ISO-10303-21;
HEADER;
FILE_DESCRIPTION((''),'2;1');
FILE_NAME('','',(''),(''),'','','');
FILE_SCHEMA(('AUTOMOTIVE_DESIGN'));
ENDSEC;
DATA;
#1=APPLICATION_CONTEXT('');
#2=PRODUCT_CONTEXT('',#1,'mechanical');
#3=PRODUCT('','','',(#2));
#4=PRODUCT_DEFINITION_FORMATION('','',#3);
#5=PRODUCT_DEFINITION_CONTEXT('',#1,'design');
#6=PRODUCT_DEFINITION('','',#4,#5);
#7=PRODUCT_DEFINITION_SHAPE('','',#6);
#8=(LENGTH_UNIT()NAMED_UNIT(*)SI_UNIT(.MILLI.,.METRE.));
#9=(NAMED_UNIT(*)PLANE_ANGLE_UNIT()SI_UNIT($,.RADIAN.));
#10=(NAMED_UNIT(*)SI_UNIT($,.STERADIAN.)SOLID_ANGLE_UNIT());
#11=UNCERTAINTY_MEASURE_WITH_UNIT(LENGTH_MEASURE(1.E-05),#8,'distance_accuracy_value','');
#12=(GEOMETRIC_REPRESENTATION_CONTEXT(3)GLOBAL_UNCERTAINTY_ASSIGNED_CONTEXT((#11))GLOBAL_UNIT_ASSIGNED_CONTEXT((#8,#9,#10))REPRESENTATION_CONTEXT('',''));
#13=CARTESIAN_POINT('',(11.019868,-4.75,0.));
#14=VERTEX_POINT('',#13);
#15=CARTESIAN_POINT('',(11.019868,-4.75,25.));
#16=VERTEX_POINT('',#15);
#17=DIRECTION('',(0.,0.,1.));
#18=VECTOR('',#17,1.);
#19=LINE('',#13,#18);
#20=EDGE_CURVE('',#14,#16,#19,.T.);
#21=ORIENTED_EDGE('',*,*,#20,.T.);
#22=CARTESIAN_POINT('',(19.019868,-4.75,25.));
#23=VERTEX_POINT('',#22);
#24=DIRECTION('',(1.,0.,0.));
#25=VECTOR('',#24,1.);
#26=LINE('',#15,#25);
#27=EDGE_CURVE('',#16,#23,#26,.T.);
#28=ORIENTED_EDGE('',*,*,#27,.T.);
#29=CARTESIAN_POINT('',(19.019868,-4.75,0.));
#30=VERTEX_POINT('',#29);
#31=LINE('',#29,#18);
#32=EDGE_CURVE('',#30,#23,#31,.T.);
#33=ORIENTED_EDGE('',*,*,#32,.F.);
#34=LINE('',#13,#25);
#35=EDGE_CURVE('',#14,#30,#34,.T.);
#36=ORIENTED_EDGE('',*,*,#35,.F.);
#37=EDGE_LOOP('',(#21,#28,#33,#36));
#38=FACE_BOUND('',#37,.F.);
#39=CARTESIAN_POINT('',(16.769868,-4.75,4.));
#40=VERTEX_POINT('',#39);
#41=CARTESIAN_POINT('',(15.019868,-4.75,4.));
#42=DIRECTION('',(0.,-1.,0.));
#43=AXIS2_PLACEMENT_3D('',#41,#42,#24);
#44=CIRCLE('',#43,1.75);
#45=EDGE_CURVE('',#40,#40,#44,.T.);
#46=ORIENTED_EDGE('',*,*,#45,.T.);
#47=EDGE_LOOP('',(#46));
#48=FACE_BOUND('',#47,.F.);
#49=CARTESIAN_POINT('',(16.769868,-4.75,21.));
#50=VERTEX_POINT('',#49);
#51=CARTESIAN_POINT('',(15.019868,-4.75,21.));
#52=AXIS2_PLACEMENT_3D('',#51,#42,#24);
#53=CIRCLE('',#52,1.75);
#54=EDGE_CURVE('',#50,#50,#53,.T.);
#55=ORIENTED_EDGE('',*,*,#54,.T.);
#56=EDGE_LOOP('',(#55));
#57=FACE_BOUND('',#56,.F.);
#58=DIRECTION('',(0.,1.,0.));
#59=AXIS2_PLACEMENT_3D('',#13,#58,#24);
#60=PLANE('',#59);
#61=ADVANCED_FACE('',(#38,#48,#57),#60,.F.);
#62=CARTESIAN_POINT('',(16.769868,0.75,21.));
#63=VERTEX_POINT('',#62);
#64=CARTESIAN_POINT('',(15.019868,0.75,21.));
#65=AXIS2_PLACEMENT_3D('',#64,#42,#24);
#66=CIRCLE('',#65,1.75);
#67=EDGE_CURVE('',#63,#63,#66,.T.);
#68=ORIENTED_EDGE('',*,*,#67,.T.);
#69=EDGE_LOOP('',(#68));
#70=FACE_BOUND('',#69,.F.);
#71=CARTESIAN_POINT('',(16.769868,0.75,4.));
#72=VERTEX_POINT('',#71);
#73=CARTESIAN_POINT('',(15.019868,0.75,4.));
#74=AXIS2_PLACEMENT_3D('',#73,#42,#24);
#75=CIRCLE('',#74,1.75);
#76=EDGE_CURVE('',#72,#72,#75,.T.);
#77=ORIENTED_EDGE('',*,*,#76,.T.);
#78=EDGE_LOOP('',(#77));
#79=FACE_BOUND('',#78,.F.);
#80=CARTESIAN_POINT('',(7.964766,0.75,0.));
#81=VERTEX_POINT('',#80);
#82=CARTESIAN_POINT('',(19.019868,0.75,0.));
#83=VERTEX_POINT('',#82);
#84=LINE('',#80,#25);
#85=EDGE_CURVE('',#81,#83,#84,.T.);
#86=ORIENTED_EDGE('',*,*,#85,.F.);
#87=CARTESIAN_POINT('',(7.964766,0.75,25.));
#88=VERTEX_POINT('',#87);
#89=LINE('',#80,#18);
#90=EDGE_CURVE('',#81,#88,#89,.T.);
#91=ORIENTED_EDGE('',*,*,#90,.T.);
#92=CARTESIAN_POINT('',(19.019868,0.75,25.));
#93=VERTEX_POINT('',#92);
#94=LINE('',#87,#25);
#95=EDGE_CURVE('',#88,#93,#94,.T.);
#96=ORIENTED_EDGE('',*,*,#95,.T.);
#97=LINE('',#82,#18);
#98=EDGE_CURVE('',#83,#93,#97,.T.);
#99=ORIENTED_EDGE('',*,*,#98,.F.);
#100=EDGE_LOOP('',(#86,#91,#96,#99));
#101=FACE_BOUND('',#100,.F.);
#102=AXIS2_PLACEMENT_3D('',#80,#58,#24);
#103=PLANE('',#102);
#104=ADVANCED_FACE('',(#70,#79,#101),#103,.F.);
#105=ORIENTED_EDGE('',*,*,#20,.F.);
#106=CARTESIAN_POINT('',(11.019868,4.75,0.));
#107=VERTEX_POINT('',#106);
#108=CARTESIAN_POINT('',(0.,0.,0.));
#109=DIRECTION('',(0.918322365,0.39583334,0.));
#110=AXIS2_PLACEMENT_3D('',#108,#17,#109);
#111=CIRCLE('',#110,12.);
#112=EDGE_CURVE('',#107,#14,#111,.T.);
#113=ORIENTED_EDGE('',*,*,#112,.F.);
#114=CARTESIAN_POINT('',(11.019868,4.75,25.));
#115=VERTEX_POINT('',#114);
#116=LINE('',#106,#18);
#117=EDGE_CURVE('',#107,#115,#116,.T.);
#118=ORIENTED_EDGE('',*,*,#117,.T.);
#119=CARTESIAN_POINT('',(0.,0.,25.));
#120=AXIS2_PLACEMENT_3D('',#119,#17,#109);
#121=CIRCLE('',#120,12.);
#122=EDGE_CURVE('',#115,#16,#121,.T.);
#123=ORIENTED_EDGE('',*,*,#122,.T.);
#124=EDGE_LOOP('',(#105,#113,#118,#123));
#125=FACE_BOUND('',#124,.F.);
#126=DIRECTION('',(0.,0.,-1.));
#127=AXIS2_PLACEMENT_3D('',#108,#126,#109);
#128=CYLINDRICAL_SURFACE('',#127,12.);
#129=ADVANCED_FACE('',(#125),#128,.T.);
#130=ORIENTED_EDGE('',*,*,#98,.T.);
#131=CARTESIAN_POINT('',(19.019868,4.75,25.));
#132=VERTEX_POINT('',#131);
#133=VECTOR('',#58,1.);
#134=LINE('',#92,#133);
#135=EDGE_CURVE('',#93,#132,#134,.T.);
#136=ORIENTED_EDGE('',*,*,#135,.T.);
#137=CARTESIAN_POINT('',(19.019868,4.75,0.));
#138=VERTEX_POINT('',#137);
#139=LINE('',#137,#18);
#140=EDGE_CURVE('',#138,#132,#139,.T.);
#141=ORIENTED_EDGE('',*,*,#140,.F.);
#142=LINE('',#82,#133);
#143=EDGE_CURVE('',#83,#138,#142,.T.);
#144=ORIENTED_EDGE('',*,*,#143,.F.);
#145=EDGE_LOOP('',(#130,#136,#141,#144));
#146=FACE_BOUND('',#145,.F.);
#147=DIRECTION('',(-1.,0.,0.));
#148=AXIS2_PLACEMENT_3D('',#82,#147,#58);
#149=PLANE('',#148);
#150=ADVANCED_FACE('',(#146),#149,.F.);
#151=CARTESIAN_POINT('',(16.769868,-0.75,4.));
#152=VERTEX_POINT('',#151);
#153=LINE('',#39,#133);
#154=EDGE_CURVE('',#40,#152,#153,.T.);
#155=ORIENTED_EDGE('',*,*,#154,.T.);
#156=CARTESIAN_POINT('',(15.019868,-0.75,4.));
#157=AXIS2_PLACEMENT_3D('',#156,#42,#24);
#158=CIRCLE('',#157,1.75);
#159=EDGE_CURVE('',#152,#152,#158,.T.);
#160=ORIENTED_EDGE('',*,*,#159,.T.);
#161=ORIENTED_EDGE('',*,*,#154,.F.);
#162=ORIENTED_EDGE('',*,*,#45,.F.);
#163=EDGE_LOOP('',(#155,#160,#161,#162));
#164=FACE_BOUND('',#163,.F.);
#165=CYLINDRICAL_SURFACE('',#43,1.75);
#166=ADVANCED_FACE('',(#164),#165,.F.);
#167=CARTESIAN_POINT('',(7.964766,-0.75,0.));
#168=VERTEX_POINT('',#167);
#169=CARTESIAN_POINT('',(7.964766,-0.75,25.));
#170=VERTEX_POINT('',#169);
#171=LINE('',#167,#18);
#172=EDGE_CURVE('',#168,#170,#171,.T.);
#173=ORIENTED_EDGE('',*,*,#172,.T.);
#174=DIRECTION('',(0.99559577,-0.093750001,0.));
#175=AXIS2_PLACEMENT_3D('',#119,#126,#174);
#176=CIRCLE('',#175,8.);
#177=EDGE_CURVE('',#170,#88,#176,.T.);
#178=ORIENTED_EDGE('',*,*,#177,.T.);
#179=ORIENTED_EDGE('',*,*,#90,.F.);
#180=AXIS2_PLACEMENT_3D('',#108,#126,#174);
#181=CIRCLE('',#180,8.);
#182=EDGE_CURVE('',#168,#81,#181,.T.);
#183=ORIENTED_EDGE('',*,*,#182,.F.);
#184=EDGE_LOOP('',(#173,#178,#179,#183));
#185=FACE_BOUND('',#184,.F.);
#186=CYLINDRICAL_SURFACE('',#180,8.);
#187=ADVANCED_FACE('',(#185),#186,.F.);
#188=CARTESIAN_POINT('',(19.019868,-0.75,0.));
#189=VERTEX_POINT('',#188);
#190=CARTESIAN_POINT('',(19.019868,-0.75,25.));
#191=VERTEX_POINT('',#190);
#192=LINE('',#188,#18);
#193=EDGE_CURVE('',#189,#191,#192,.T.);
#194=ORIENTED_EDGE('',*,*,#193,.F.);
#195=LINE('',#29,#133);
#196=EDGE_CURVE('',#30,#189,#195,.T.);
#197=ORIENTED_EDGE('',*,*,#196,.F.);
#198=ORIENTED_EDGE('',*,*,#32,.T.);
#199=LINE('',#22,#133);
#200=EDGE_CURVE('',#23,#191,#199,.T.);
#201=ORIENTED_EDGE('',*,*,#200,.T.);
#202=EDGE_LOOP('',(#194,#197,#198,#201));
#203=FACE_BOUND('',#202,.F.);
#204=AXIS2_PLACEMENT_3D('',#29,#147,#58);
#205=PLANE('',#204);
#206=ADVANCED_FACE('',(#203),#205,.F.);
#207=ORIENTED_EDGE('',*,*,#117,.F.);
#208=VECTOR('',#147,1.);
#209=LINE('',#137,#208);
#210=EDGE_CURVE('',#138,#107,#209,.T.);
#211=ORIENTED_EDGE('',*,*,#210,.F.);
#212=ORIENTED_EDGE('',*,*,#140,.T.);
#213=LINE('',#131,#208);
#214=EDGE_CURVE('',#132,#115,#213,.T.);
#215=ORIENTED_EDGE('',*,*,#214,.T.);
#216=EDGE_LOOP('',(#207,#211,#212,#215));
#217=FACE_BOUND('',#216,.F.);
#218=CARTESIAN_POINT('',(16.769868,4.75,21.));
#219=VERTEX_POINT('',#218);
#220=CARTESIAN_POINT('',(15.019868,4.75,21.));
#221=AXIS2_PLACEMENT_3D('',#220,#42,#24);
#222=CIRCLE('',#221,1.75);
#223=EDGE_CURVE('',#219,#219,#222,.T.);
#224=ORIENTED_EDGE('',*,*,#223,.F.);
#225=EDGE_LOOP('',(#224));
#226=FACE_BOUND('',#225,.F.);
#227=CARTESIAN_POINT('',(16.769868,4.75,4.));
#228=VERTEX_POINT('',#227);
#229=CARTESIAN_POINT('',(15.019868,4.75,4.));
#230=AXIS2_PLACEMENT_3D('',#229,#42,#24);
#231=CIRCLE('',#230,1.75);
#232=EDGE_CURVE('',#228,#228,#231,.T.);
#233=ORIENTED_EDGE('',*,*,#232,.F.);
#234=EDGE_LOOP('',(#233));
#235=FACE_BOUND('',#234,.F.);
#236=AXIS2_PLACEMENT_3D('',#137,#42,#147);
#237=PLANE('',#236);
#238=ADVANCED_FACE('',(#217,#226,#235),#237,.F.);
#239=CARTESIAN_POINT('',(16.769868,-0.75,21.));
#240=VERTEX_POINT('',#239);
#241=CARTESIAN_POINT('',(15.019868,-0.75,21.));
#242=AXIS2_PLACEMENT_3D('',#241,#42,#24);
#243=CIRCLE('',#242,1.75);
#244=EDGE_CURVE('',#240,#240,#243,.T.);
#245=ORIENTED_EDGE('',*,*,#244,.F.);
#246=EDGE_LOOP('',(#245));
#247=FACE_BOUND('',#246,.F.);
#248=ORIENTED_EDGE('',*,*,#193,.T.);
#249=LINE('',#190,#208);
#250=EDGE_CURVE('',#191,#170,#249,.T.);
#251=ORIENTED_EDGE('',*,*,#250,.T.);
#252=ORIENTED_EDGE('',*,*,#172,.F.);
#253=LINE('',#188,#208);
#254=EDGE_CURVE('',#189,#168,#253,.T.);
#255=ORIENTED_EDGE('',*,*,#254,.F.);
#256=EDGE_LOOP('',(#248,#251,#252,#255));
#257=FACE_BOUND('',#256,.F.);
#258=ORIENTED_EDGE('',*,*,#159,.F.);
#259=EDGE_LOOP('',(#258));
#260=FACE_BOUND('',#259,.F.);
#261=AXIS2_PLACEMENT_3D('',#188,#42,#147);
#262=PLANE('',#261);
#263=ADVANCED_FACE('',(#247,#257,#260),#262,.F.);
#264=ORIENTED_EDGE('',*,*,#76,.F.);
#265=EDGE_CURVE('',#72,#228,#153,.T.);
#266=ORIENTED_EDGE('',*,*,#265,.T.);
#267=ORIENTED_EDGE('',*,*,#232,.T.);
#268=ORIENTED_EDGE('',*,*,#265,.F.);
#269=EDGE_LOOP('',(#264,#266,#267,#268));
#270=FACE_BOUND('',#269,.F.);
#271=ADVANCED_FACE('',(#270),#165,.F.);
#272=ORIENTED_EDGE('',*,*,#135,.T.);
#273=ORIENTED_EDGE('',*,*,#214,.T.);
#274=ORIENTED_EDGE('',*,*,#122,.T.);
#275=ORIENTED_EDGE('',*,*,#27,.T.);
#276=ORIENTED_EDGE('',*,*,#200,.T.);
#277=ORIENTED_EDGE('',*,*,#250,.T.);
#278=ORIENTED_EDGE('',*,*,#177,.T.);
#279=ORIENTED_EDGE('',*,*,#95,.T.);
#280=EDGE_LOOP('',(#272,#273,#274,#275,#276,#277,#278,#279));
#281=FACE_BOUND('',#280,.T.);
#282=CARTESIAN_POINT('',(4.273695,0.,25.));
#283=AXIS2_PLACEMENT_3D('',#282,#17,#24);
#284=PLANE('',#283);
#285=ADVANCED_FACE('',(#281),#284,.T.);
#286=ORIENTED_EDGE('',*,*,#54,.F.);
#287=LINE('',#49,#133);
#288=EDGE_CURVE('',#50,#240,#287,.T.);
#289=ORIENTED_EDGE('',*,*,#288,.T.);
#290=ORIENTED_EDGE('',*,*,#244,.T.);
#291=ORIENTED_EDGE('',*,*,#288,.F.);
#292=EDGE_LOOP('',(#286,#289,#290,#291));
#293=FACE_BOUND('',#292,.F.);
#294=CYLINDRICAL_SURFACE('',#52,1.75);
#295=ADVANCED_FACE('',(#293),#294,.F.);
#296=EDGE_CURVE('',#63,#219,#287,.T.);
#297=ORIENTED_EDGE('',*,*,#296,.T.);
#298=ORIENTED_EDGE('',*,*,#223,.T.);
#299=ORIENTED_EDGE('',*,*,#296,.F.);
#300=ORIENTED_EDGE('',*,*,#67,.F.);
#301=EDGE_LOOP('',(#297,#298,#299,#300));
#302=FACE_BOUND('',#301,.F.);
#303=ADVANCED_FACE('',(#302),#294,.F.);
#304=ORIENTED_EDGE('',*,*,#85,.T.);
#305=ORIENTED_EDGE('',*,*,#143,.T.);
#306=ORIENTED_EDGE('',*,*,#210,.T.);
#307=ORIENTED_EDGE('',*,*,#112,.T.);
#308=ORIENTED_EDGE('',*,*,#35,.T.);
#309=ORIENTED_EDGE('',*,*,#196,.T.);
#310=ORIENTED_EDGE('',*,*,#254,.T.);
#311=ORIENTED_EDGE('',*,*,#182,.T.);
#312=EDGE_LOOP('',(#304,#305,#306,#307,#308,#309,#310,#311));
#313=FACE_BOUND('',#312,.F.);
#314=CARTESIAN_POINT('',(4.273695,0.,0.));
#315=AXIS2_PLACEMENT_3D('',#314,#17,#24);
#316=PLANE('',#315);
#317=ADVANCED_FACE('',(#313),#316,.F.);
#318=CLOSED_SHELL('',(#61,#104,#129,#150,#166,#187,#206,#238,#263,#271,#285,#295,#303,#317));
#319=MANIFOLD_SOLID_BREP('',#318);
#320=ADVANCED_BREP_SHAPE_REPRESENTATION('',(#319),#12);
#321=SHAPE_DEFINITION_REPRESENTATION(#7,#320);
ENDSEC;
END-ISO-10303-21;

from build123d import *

# Parameters (mm, degrees)
F1_DEPTH = 25
F2_R     = 1.75
F3_DEPTH = 9.5


with BuildPart() as f1:
    # F0 (on Top) → F1 (new body)
    with BuildSketch(Plane.XY):
        with BuildLine():
            ThreePointArc((7.964766, -0.75), (-8, 0), (7.964766, 0.75))
            Line((7.964766, 0.75), (19.019868, 0.75))
            Line((19.019868, 0.75), (19.019868, 4.75))
            Line((19.019868, 4.75), (11.019868, 4.75))
            ThreePointArc((11.019868, 4.75), (-12, 0), (11.019868, -4.75))
            Line((11.019868, -4.75), (19.019868, -4.75))
            Line((19.019868, -4.75), (19.019868, -0.75))
            Line((19.019868, -0.75), (7.964766, -0.75))
        make_face()
    extrude(amount=F1_DEPTH)

    # F2 (on face) → F3 (cut, through all)
    with BuildSketch(Plane.XZ.offset(4.75)):
        with Locations((15.019868, 4)):
            Circle(F2_R)
        with Locations((15.019868, 21)):
            Circle(F2_R)
    extrude(amount=-F3_DEPTH, mode=Mode.SUBTRACT)


solid = f1.part
